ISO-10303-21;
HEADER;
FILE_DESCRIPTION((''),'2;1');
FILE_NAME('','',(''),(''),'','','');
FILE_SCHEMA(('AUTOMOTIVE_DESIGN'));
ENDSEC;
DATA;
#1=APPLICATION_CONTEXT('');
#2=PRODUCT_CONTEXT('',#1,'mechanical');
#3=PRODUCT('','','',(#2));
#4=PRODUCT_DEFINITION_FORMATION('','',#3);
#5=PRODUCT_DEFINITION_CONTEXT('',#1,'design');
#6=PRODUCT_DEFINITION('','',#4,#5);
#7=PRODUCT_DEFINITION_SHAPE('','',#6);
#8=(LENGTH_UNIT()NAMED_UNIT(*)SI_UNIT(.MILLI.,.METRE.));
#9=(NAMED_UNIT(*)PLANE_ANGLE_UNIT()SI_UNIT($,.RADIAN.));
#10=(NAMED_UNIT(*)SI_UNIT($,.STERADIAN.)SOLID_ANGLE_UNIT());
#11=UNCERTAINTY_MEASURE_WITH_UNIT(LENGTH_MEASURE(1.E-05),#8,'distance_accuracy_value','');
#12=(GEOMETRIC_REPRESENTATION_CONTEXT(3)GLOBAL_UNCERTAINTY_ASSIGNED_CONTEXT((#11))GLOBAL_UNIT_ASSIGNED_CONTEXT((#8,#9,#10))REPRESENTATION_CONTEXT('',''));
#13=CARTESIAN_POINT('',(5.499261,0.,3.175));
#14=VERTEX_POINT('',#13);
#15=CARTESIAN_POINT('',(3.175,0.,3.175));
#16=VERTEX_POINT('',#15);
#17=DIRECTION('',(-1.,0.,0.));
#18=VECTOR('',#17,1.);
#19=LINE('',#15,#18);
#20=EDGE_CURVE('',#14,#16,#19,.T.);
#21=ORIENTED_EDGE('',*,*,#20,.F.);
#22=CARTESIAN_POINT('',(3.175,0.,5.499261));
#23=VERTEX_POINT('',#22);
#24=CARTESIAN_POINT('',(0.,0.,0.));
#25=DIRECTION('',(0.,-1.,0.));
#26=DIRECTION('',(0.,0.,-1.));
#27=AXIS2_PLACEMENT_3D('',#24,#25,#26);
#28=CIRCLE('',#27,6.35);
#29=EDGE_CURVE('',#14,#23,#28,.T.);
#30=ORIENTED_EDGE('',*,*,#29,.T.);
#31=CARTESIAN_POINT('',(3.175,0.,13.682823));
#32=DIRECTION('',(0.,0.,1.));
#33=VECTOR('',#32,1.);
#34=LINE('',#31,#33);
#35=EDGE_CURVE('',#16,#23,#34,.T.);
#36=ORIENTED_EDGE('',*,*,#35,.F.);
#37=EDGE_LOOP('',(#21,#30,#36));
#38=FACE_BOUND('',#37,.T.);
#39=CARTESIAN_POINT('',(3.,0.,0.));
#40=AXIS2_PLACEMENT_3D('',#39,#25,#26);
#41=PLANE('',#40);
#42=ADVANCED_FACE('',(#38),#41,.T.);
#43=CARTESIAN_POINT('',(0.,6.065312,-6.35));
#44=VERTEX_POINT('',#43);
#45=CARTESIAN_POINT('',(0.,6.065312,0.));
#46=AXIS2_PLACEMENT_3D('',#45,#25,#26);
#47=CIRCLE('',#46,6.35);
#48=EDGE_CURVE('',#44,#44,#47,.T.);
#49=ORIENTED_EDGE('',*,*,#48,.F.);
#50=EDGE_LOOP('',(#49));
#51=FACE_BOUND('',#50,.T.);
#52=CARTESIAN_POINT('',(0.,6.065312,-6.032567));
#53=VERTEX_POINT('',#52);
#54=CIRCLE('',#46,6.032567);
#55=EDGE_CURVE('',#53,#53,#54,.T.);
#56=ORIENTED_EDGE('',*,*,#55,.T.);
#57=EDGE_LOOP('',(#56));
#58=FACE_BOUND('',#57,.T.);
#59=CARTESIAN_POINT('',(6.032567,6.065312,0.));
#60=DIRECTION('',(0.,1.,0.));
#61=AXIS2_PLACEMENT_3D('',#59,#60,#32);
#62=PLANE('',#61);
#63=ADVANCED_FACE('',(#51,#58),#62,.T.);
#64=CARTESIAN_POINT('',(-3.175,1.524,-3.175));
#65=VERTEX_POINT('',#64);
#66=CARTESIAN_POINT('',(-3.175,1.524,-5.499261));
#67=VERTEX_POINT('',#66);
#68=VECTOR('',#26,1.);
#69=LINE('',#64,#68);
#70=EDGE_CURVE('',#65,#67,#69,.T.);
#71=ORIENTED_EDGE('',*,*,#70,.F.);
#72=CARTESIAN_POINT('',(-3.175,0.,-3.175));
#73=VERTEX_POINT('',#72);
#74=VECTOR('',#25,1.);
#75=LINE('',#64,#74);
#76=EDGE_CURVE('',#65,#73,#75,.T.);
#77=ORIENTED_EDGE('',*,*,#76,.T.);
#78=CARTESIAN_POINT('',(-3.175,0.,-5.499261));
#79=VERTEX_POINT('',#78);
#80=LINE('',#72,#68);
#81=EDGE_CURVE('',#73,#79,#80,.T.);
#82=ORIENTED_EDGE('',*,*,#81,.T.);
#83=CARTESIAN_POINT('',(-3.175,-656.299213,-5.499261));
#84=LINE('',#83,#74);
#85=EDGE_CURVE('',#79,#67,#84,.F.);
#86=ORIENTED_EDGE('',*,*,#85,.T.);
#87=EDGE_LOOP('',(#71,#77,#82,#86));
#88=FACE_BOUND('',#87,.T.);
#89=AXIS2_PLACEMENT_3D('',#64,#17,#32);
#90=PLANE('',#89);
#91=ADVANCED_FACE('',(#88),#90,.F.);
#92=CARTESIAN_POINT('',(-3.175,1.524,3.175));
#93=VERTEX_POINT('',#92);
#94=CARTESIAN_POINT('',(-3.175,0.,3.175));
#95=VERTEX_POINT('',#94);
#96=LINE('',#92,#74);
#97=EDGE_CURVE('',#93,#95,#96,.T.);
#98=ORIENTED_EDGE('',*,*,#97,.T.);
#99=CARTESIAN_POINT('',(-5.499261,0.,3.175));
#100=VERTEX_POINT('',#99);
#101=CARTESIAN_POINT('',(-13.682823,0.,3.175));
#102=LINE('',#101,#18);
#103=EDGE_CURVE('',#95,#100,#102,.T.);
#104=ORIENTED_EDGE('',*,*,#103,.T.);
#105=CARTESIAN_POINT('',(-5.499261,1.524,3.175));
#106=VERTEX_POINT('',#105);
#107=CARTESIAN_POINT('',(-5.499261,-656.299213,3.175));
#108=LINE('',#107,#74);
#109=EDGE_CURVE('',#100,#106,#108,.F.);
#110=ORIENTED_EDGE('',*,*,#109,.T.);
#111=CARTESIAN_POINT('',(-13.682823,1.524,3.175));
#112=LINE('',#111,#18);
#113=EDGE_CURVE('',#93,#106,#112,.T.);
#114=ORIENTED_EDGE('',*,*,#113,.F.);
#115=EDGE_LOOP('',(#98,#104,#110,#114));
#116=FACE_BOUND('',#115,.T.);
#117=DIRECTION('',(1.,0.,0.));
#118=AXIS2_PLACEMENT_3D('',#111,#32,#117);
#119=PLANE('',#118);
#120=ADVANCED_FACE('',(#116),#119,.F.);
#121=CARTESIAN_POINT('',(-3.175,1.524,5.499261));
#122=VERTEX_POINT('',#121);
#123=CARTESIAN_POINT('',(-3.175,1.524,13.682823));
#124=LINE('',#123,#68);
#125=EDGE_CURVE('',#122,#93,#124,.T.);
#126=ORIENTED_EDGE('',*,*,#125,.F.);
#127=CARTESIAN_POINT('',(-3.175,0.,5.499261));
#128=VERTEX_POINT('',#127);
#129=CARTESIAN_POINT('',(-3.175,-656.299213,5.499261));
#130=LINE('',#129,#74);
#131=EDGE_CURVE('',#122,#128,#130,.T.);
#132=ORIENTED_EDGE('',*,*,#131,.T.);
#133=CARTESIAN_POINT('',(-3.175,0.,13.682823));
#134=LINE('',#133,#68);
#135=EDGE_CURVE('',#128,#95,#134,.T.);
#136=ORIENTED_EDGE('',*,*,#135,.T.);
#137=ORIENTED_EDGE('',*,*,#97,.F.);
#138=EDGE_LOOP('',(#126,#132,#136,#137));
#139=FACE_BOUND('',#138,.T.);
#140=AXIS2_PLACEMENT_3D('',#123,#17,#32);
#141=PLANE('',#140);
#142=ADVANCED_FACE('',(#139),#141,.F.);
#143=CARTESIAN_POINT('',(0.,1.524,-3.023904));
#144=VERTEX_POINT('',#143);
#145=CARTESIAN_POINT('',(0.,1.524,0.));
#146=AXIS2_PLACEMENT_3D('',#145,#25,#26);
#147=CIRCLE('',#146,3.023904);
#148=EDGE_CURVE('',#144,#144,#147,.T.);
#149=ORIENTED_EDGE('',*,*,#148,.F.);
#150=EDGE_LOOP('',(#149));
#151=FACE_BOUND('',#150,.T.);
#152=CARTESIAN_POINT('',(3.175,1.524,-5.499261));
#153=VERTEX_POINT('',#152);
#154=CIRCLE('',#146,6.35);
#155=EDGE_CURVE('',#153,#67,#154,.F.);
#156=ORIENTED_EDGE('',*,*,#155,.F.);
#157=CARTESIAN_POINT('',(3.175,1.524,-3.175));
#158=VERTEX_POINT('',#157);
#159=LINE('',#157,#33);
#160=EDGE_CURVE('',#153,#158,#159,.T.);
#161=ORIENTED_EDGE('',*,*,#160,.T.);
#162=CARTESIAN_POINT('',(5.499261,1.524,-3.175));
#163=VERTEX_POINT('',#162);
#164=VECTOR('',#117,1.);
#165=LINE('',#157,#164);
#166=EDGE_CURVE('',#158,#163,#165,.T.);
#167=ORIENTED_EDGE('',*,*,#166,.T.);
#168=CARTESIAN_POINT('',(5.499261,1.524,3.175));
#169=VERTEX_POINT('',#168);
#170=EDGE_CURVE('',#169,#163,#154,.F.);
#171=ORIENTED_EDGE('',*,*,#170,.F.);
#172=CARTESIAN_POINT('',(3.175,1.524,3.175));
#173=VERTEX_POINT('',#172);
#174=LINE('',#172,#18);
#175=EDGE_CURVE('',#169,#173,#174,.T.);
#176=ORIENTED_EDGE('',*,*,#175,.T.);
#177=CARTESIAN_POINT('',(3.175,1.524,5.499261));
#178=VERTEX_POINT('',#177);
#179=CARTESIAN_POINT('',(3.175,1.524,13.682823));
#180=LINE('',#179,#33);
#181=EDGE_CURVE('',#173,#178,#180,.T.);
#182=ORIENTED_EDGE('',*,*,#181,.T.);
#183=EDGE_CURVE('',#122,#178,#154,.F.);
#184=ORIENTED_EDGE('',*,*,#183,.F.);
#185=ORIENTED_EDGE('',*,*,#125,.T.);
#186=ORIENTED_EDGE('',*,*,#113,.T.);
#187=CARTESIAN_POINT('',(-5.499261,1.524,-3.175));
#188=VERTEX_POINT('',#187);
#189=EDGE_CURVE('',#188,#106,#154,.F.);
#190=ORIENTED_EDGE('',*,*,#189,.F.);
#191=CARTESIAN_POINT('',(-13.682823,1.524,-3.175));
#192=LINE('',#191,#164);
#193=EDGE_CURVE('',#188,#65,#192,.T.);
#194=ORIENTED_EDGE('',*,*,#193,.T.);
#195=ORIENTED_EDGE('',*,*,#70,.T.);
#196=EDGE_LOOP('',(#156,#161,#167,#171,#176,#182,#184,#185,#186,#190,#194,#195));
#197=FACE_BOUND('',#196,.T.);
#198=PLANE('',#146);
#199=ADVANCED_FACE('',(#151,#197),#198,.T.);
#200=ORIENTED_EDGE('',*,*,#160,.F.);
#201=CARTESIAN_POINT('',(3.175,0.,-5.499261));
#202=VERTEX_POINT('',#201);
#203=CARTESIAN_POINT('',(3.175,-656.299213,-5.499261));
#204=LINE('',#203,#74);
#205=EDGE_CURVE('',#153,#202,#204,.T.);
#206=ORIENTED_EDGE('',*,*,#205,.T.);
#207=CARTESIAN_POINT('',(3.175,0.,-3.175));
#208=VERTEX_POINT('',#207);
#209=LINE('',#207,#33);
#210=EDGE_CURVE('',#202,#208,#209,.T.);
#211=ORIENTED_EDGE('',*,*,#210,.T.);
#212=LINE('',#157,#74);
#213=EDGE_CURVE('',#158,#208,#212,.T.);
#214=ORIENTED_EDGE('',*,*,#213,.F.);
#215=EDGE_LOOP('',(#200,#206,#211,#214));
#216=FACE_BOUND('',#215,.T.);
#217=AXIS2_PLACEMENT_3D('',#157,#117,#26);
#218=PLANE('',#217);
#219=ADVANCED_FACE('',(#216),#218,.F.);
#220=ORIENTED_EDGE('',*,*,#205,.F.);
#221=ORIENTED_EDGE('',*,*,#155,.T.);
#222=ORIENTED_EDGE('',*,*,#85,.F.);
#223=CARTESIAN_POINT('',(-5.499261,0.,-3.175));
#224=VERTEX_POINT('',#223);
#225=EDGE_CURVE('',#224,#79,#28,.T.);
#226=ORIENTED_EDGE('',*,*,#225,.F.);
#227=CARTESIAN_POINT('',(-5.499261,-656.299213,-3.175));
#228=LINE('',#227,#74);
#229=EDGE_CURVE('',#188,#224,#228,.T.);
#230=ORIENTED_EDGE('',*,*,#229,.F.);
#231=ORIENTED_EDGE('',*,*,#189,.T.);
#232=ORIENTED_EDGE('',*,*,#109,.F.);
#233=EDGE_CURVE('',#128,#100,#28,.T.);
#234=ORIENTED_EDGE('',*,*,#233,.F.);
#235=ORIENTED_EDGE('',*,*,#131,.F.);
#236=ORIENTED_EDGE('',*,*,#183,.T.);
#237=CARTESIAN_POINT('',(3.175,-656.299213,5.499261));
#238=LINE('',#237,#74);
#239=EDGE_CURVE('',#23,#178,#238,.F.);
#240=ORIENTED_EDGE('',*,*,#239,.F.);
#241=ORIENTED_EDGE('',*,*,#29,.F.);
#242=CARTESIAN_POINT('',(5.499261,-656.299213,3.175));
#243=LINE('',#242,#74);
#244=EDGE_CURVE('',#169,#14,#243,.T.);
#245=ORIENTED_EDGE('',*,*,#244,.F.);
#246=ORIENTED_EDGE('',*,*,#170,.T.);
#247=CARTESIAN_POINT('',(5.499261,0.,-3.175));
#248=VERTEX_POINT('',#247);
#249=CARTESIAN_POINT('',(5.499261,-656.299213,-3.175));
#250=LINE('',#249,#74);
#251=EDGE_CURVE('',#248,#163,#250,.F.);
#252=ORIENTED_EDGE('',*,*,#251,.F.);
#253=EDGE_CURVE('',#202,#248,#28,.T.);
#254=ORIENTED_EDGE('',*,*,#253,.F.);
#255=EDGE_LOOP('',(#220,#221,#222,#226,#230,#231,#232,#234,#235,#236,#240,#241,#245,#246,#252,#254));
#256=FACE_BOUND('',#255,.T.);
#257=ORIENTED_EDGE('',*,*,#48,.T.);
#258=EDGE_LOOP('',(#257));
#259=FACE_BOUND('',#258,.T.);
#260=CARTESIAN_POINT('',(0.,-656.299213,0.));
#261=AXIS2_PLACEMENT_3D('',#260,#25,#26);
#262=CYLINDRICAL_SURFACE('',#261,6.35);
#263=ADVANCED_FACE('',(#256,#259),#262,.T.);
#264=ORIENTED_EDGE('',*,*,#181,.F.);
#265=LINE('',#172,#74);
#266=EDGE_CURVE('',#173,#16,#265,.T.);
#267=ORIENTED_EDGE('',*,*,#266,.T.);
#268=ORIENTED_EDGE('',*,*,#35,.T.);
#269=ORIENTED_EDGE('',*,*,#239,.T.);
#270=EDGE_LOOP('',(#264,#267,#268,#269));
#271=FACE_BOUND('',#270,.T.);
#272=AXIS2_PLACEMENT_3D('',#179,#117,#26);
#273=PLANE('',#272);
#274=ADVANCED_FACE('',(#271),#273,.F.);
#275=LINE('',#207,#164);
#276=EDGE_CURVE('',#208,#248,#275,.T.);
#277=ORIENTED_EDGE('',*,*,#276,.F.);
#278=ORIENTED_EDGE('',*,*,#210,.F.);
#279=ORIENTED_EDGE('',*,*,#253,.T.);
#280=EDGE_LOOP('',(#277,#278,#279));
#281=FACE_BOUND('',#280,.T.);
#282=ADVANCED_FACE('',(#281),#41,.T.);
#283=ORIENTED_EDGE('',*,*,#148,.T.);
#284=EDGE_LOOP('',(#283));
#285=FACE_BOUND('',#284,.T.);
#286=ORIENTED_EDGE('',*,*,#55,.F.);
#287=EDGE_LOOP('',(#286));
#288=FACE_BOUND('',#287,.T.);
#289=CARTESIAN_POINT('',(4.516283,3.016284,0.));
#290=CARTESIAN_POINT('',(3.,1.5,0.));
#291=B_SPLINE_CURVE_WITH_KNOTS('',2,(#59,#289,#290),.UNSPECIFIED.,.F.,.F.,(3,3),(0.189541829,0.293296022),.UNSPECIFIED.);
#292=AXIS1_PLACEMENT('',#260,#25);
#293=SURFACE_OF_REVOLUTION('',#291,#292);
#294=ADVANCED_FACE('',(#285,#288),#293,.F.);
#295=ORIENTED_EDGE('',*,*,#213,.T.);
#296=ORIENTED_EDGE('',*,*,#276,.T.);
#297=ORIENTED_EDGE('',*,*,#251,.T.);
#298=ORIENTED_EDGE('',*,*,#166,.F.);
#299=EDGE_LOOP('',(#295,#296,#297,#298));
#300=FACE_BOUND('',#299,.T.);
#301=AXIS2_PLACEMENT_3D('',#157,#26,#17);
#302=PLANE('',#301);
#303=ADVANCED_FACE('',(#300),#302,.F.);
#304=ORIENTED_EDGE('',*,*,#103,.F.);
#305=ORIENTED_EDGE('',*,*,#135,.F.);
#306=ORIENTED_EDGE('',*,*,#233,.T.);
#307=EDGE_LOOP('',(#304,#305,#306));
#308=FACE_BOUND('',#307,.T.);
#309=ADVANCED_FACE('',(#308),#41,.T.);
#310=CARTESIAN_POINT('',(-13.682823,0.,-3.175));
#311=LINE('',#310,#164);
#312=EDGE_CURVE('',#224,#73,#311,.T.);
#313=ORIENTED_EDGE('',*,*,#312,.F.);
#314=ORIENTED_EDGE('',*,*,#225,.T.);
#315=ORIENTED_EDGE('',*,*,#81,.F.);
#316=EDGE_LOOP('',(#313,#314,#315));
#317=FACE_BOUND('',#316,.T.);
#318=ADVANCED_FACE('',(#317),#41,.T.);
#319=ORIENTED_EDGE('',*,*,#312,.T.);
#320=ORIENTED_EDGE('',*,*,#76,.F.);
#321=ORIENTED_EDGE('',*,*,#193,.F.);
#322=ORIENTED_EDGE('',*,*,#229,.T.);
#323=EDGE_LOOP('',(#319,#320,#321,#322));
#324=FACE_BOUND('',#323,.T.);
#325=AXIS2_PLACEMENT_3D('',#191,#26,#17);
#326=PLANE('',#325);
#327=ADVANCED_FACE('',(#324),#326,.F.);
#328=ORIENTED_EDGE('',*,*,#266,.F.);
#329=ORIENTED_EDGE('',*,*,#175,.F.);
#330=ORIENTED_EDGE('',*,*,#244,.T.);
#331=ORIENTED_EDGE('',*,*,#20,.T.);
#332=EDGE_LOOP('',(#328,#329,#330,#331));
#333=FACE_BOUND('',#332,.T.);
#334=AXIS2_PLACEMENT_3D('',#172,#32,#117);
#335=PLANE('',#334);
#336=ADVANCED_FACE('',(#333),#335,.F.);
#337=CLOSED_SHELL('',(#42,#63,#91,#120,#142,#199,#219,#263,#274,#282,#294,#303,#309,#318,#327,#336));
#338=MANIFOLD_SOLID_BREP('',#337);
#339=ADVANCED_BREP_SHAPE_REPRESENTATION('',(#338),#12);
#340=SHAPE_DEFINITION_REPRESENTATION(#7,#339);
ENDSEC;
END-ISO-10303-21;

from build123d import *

# Parameters (mm, degrees)
CUT_EXTRUDE1_DEPTH = 1.524


with BuildPart() as part:
    # Sketch1 → Revolve1 (revolve)
    with BuildSketch(Plane.XY, mode=Mode.PRIVATE) as revolve1_sk:
        with BuildLine():
            Line((6.03256665, 6.065311925), (6.35, 6.065311925))
            Line((6.35, 6.065311925), (6.35, 0))
            Line((6.35, 0), (3, 0))
            Line((3, 0), (3, 1.50000046))
            add(Edge.make_bspline(
                [(3, 1.50000046), (4.516283325, 3.01628425), (6.03256665, 6.065311925)],
                knots=[0.189541829, 0.189541829, 0.189541829, 0.293296022, 0.293296022, 0.293296022], degree=2))
        make_face()
    revolve(revolve1_sk.sketch.rotate(Axis((0, -656.299212598, 0), (0, 1, 0)), 90), axis=Axis((0, -656.299212598, 0), (0, 1, 0)))  # turned: the seam where the file's is

    # Sketch2 → Cut-Extrude1 (cut)
    with BuildSketch(Plane.XZ):
        Polygon((-3.175, 13.682823353), (3.175, 13.682823353), (3.175, 3.175), (13.682823353, 3.175), (13.682823353, -3.175), (3.175, -3.175), (3.175, -13.682823353), (-3.175, -13.682823353), (-3.175, -3.175), (-13.682823353, -3.175), (-13.682823353, 3.175), (-3.175, 3.175), align=None)
    extrude(amount=-CUT_EXTRUDE1_DEPTH, mode=Mode.SUBTRACT)


solid = part.part
